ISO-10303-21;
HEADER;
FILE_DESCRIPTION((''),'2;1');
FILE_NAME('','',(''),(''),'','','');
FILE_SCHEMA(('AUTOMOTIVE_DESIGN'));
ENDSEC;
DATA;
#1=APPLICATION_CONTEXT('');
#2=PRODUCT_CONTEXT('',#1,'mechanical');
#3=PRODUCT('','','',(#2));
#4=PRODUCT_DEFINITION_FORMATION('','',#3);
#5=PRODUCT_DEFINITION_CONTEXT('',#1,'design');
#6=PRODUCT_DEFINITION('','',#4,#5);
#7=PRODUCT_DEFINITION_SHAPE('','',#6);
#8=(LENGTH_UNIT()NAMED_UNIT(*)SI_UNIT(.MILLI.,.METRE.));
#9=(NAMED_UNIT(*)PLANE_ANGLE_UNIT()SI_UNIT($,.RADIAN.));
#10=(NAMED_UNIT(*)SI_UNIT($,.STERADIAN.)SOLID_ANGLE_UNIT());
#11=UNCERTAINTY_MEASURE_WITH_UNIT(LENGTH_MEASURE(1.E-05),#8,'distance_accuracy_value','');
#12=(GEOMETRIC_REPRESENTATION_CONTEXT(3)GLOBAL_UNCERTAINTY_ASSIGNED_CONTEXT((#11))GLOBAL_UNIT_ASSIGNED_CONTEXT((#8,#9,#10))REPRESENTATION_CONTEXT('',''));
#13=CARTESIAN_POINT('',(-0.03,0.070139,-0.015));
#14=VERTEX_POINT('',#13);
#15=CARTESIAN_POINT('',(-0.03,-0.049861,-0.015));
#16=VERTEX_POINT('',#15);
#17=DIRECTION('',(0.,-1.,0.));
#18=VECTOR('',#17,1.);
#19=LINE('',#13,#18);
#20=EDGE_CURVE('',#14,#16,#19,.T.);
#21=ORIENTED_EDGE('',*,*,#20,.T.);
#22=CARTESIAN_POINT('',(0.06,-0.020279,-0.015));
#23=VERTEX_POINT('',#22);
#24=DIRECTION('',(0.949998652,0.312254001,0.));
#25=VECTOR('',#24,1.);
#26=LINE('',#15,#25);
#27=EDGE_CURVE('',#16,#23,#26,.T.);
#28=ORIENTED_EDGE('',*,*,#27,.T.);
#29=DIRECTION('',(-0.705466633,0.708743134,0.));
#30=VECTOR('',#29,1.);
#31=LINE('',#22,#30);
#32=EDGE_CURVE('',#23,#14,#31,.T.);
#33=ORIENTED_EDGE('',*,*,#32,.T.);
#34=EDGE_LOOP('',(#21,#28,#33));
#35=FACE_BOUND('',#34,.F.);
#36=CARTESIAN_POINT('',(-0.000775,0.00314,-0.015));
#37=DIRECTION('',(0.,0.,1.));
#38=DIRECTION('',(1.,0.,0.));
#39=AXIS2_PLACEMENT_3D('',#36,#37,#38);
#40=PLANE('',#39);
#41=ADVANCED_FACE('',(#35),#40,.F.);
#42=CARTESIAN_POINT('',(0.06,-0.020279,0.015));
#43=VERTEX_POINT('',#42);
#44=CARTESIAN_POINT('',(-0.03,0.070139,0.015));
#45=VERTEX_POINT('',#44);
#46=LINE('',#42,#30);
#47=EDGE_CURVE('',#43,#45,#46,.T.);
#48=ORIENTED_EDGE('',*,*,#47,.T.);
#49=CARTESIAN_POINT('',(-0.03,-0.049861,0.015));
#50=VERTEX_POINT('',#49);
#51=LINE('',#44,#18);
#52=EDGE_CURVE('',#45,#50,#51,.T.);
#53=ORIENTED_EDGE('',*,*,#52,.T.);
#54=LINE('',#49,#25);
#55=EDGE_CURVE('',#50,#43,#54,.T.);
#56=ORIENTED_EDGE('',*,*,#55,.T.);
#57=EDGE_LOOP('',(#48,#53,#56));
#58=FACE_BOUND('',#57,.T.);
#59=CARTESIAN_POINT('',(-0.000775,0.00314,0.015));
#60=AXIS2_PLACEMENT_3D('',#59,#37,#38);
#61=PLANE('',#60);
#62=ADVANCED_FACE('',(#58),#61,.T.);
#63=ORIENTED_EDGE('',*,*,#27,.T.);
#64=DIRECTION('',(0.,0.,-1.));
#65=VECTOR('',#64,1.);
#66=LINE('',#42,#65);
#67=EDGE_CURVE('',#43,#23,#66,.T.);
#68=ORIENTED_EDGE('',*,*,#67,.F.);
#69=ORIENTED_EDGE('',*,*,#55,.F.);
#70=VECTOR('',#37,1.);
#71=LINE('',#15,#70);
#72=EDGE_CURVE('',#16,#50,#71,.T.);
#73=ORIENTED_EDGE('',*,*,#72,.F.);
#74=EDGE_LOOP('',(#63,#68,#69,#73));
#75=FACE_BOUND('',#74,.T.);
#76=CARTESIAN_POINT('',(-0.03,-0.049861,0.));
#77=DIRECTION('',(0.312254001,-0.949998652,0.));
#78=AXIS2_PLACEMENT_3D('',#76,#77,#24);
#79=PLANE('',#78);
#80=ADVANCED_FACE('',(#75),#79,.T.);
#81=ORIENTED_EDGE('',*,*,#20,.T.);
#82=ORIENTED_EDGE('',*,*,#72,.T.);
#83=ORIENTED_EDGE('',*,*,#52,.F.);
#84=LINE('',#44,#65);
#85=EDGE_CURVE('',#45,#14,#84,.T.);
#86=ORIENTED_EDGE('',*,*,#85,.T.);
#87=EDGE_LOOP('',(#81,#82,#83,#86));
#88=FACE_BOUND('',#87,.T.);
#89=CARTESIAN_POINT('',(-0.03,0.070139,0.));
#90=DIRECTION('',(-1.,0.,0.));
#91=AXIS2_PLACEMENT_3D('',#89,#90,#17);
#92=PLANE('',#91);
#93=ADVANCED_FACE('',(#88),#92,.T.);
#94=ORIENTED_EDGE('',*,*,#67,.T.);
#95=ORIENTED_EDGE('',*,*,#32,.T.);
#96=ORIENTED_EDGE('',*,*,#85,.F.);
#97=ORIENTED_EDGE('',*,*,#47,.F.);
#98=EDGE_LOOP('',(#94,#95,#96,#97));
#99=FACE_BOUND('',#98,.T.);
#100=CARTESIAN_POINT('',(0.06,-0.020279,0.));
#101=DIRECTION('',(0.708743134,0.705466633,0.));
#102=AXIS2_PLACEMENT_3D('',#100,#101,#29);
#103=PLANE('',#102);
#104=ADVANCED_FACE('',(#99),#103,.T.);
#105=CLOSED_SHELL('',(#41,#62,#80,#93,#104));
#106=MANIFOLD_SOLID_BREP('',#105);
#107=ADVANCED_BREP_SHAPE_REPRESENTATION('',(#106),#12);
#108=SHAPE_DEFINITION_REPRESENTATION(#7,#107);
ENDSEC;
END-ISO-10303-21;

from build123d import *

# Parameters (mm, degrees)
PAD_DEPTH = 0.015


with BuildPart() as part:
    # Sketch → Pad (new body, symmetric)
    with BuildSketch(Plane.XY):
        Polygon((-0.03, 0.070139), (-0.03, -0.049861), (0.06, -0.020279), align=None)
    extrude(amount=PAD_DEPTH, both=True)


solid = part.part
